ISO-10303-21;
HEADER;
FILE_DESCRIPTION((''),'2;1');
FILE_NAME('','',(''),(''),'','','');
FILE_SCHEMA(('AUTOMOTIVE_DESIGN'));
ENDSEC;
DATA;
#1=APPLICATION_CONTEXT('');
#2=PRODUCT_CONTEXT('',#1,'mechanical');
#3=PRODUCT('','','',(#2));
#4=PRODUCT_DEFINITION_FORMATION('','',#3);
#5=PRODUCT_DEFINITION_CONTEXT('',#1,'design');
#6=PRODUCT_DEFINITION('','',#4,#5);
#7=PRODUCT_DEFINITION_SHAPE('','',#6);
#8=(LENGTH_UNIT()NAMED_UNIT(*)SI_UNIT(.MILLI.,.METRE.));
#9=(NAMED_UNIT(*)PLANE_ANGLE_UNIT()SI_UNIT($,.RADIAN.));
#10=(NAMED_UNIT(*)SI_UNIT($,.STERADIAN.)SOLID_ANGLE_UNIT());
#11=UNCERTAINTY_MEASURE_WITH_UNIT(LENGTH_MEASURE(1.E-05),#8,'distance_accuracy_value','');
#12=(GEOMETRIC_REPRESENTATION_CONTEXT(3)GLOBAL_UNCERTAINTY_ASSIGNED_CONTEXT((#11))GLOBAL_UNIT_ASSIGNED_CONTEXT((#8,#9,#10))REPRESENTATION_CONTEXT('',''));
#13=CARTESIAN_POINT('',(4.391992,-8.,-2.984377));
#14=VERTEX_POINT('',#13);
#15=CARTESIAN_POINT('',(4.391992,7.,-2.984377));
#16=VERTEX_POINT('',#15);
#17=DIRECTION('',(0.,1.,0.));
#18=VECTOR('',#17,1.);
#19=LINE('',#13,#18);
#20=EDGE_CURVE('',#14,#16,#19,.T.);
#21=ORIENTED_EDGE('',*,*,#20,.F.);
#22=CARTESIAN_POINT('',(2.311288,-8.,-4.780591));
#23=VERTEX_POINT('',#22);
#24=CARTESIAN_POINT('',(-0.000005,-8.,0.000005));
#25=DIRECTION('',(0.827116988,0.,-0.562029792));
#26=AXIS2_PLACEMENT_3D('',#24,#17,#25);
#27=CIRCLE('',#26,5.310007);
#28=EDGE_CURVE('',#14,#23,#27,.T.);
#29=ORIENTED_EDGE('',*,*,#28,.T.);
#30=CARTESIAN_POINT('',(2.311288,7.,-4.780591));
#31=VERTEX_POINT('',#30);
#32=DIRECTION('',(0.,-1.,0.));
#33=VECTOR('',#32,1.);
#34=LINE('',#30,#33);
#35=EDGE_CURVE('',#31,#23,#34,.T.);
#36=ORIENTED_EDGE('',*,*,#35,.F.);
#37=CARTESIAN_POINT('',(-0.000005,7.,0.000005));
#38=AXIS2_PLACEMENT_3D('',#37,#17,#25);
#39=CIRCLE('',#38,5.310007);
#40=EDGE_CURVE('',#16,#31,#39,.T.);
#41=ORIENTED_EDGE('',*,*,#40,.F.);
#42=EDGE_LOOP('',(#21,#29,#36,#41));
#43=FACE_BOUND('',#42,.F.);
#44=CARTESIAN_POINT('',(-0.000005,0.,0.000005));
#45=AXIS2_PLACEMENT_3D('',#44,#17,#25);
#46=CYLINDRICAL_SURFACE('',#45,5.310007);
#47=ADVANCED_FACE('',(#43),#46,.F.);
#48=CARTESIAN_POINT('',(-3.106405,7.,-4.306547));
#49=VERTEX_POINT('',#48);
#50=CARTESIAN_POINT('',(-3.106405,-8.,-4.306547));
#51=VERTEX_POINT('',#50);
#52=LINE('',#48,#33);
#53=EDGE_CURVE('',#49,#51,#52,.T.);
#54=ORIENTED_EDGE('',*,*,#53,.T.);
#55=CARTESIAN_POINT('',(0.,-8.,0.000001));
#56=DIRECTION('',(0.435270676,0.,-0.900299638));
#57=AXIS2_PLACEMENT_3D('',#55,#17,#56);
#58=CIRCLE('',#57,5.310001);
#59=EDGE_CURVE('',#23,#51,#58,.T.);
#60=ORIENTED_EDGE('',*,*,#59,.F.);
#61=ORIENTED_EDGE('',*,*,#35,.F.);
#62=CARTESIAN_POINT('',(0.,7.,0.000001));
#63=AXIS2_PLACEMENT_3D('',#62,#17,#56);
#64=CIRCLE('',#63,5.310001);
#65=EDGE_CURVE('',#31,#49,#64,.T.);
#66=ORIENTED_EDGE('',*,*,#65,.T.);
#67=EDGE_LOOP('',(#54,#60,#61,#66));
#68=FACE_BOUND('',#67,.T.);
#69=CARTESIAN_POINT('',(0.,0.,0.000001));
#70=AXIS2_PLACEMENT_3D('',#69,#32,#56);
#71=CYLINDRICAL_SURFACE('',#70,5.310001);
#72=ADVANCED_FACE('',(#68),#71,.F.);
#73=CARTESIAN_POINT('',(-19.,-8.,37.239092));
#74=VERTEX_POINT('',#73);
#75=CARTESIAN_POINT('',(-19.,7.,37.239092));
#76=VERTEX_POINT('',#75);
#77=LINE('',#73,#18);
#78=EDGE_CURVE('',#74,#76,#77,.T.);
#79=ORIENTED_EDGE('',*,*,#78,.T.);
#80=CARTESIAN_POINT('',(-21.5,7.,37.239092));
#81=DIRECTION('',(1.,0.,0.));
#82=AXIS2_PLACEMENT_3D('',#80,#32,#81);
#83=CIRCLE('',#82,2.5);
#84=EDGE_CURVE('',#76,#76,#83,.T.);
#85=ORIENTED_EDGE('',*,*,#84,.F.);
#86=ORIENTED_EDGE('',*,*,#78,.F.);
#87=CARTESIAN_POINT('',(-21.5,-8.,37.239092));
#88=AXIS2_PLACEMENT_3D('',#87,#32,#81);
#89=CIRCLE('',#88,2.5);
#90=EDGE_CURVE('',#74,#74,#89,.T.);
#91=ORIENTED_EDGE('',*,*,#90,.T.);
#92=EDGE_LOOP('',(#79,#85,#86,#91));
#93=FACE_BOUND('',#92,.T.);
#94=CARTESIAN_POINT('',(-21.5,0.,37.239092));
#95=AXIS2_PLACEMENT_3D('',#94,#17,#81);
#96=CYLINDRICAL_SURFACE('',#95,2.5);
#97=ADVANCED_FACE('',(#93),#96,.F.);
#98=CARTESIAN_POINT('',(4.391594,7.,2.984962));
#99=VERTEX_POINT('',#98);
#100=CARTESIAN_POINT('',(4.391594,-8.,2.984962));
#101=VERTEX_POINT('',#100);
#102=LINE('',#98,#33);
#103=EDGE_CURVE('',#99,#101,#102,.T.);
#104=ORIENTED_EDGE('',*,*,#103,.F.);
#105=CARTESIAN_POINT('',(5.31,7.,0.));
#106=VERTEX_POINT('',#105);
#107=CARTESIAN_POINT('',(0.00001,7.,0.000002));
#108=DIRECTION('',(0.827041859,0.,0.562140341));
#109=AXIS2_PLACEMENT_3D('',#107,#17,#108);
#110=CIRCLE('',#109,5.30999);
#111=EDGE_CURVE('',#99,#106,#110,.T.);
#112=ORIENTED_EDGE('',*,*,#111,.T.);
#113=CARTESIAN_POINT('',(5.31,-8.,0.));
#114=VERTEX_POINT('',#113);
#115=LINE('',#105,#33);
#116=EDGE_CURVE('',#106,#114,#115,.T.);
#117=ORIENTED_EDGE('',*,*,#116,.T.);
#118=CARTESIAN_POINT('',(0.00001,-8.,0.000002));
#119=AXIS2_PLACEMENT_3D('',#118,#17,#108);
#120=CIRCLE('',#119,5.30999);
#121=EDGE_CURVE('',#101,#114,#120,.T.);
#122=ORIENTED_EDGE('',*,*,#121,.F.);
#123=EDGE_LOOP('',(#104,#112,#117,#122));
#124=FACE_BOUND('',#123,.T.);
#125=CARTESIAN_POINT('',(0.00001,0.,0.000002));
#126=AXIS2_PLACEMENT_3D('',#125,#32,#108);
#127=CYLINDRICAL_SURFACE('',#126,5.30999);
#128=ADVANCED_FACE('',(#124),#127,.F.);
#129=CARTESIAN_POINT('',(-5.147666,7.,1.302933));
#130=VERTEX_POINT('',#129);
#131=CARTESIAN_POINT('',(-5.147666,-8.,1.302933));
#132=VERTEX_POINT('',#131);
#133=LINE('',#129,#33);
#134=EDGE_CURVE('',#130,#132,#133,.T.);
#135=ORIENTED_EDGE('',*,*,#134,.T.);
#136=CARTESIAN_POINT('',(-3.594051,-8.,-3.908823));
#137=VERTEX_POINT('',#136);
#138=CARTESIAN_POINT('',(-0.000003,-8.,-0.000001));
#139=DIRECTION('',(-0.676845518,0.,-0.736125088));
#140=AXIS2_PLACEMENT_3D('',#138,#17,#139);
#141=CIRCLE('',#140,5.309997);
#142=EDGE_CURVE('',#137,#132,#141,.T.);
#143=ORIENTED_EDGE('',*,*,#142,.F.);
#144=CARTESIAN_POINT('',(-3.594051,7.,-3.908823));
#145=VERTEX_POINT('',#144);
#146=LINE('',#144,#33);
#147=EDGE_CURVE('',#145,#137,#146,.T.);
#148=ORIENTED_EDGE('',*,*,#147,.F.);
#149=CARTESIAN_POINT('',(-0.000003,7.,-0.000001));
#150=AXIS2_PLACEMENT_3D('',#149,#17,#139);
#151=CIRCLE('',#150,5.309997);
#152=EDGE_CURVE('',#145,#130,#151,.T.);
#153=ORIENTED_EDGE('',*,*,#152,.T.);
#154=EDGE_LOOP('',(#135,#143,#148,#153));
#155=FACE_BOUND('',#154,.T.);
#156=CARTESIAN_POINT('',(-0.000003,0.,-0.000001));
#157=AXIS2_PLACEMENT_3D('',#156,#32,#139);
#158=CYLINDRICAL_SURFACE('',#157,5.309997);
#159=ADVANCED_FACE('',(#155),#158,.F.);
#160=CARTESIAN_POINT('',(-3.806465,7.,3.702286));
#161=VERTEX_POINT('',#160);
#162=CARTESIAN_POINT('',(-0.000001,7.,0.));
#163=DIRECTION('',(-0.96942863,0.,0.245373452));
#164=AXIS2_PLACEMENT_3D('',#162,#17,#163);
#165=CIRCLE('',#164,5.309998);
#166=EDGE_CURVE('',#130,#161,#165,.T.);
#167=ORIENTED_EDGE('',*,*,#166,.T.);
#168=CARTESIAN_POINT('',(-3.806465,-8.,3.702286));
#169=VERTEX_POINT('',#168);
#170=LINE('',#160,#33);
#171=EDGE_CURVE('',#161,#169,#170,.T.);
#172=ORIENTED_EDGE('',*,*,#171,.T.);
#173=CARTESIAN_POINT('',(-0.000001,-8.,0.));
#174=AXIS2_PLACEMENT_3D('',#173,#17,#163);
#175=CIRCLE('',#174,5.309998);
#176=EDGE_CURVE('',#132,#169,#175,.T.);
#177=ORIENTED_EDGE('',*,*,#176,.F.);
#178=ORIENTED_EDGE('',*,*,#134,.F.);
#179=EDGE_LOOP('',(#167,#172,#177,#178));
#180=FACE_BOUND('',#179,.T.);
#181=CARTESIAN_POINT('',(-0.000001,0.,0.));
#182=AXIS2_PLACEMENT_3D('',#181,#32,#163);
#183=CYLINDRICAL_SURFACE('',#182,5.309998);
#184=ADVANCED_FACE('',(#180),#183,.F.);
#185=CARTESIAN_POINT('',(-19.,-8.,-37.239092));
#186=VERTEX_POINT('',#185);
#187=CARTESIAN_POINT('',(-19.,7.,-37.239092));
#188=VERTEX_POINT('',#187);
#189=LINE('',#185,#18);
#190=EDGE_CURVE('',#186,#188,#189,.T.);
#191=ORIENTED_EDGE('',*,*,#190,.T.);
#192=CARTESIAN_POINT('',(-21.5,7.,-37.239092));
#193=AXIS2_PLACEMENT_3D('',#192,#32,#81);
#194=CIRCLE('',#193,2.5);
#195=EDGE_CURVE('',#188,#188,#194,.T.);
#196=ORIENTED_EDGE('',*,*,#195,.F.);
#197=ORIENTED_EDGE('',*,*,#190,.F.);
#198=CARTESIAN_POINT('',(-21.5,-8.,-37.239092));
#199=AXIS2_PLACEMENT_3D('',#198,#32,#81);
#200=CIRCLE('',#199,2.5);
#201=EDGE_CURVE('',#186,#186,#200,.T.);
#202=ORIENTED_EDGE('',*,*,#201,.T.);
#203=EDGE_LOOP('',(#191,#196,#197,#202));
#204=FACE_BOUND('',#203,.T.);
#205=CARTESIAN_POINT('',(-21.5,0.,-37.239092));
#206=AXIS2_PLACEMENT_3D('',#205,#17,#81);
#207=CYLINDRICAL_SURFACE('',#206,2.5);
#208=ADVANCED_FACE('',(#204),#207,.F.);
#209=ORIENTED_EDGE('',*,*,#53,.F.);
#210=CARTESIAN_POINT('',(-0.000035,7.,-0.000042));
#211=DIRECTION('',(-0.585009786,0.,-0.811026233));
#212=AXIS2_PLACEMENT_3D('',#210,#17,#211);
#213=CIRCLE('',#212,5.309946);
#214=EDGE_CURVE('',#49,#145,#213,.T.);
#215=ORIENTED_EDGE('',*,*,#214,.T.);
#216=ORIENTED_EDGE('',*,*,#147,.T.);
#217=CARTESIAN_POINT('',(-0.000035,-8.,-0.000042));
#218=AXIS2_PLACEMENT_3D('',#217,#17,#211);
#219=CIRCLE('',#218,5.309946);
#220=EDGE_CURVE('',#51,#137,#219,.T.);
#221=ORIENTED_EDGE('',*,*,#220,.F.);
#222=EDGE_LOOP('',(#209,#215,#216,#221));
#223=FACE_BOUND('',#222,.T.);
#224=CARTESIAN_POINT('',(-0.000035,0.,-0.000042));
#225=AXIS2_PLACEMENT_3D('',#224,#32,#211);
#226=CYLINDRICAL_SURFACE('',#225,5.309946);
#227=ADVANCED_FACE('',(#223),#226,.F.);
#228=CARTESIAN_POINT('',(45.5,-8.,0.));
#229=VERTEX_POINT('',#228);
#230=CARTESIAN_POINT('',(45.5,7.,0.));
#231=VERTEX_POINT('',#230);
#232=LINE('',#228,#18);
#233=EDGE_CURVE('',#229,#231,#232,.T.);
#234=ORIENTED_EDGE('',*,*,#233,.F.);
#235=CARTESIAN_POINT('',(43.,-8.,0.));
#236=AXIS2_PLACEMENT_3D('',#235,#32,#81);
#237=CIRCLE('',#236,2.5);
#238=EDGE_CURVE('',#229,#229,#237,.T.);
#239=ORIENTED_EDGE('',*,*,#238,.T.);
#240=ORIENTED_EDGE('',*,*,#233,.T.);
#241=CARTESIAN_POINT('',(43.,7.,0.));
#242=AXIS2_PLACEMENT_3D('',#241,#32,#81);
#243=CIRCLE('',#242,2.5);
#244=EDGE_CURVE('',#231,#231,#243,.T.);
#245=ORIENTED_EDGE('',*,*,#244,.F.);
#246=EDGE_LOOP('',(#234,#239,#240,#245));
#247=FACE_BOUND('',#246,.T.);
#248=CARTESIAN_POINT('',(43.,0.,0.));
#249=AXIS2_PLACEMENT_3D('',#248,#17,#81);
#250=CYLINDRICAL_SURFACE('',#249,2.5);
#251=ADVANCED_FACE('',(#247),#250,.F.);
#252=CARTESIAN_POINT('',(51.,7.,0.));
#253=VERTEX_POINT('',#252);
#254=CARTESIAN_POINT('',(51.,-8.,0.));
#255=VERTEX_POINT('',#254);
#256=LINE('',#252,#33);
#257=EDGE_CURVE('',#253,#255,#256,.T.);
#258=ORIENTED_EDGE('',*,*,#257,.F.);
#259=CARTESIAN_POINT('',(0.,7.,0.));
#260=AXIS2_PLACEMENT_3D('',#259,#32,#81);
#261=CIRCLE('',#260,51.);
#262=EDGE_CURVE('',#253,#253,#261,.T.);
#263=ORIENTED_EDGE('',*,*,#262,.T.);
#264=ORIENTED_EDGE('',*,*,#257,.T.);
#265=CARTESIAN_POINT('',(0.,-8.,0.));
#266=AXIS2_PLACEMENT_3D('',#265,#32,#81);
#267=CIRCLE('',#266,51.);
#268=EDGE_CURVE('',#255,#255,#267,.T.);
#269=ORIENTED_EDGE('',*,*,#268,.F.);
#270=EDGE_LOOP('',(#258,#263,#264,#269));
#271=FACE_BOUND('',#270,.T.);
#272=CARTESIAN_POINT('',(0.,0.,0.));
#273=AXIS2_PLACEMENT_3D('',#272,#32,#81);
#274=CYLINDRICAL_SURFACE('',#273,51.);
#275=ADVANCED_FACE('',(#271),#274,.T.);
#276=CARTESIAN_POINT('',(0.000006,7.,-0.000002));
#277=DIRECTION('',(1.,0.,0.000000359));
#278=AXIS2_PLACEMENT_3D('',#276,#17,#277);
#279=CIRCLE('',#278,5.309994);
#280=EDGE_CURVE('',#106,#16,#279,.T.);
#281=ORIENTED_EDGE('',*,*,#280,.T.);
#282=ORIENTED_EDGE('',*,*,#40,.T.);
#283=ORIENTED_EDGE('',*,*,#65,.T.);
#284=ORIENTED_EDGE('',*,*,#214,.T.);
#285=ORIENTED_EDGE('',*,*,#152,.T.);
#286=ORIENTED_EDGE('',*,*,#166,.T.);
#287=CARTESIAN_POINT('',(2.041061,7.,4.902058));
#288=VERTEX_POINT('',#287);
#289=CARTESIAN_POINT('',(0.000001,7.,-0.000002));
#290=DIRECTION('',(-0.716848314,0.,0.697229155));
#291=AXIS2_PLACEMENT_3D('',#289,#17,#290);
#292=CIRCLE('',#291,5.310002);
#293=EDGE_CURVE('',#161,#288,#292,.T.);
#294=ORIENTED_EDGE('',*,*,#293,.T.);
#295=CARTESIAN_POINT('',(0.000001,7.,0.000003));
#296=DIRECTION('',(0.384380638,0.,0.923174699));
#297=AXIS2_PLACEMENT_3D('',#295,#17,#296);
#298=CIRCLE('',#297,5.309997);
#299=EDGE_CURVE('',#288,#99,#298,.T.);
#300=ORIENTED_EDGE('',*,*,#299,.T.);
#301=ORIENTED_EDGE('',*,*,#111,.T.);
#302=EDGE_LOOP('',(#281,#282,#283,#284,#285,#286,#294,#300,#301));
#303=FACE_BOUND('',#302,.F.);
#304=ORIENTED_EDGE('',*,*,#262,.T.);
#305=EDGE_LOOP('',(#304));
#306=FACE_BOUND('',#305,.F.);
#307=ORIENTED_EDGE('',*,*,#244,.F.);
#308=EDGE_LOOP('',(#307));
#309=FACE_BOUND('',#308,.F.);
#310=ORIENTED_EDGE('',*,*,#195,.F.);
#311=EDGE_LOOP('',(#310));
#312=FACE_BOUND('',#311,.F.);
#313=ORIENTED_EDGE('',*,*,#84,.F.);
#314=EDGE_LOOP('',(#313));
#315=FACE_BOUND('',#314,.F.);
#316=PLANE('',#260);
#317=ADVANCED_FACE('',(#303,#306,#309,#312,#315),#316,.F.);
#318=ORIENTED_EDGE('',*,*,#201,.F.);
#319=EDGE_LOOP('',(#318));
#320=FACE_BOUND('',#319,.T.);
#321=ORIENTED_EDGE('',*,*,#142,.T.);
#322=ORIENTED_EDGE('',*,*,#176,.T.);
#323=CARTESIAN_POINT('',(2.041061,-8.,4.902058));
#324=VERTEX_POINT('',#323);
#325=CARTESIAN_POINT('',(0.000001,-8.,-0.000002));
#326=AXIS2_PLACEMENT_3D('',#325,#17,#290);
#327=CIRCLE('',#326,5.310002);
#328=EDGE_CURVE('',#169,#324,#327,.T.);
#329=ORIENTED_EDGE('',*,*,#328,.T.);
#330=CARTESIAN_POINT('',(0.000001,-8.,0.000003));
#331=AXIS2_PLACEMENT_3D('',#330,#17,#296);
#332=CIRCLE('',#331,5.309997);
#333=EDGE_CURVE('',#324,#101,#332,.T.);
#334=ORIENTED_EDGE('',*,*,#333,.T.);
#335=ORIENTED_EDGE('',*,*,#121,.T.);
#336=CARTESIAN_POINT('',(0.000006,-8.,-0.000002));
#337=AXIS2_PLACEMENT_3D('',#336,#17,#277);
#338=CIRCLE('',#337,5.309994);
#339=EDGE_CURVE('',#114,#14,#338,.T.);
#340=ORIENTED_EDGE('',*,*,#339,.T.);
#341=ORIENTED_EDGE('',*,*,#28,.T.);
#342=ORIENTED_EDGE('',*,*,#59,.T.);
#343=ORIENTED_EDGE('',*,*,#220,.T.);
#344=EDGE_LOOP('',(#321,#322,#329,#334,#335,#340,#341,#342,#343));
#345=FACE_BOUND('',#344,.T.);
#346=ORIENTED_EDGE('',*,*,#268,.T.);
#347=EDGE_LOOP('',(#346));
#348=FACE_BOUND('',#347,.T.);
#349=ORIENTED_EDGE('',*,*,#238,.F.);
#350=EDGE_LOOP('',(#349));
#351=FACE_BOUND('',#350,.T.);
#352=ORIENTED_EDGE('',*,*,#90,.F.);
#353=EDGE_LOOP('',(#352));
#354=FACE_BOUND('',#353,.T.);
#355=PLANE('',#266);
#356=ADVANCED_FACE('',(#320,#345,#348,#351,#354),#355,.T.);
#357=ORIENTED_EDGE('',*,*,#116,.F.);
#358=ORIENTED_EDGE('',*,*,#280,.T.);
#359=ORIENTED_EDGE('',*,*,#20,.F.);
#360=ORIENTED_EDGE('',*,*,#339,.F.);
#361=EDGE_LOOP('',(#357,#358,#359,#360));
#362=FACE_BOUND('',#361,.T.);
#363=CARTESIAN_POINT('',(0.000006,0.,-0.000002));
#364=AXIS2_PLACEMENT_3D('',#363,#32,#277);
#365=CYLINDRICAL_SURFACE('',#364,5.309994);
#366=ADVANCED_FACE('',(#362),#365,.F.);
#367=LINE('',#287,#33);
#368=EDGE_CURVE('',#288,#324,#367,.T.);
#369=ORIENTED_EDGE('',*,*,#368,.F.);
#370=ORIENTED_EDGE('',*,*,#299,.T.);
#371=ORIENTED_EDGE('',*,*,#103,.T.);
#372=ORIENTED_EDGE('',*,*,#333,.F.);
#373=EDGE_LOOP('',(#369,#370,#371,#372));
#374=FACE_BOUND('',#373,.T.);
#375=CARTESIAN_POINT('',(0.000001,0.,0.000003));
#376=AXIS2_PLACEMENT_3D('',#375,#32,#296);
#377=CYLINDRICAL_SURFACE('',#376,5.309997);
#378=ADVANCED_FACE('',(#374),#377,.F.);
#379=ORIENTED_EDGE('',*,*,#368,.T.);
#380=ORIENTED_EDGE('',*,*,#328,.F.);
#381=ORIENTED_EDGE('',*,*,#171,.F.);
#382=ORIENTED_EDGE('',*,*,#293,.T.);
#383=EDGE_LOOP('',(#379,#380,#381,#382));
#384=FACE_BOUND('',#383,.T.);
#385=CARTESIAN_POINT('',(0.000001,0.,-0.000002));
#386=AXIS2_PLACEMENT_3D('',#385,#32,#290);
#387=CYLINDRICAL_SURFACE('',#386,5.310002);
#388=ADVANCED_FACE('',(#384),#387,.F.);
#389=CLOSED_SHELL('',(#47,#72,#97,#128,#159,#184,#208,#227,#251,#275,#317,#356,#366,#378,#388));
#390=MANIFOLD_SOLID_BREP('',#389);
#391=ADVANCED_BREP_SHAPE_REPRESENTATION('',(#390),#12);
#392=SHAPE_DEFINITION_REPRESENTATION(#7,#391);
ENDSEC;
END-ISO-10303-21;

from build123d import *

# Parameters (mm, degrees)
F0_R          = 51
F0_R_2        = 2.5
F1_DEPTH      = 8
F1_DEPTH_BACK = 7
F2_R          = 57.85
F2_R_2        = 55.35
F3_DEPTH      = 3


with BuildPart() as f1:
    # F0 (on Front) → F1 (new body, two sides)
    with BuildSketch(Plane.XZ) as f1_sk:
        Circle(F0_R)
        with Locations((-21.5, -37.239092)):
            Circle(F0_R_2, mode=Mode.SUBTRACT)
        with Locations((-21.5, 37.239092)):
            Circle(F0_R_2, mode=Mode.SUBTRACT)
        with BuildLine():
            ThreePointArc((2.041061, 4.902058), (3.356125, 4.114915), (4.391594, 2.984962))
            ThreePointArc((4.391594, 2.984962), (5.075208, 1.561527), (5.31, 0))
            ThreePointArc((5.31, 0), (5.075312, -1.561189), (4.391992, -2.984377))
            ThreePointArc((4.391992, -2.984377), (3.469883, -4.019454), (2.311288, -4.780591))
            ThreePointArc((2.311288, -4.780591), (-0.462852, -5.289789), (-3.106405, -4.306547))
            ThreePointArc((-3.106405, -4.306547), (-3.356125, -4.114915), (-3.594051, -3.908823))
            ThreePointArc((-3.594051, -3.908823), (-5.088714, -1.516936), (-5.147666, 1.302933))
            ThreePointArc((-5.147666, 1.302933), (-4.635012, 2.5909), (-3.806465, 3.702286))
            ThreePointArc((-3.806465, 3.702286), (-1.067252, 5.201641), (2.041061, 4.902058))
        make_face(mode=Mode.SUBTRACT)
        with Locations((43, 0)):
            Circle(F0_R_2, mode=Mode.SUBTRACT)
    extrude(amount=F1_DEPTH)
    extrude(f1_sk.sketch, amount=-F1_DEPTH_BACK)

    # F2 (on face) → F3 (cut)
    with BuildSketch(Plane(origin=(0, 7, 0), x_dir=(-1, 0, 0), z_dir=(0, 1, 0))):
        Circle(F2_R)
        Circle(F2_R_2, mode=Mode.SUBTRACT)
    extrude(amount=-F3_DEPTH, mode=Mode.SUBTRACT)


solid = f1.part
